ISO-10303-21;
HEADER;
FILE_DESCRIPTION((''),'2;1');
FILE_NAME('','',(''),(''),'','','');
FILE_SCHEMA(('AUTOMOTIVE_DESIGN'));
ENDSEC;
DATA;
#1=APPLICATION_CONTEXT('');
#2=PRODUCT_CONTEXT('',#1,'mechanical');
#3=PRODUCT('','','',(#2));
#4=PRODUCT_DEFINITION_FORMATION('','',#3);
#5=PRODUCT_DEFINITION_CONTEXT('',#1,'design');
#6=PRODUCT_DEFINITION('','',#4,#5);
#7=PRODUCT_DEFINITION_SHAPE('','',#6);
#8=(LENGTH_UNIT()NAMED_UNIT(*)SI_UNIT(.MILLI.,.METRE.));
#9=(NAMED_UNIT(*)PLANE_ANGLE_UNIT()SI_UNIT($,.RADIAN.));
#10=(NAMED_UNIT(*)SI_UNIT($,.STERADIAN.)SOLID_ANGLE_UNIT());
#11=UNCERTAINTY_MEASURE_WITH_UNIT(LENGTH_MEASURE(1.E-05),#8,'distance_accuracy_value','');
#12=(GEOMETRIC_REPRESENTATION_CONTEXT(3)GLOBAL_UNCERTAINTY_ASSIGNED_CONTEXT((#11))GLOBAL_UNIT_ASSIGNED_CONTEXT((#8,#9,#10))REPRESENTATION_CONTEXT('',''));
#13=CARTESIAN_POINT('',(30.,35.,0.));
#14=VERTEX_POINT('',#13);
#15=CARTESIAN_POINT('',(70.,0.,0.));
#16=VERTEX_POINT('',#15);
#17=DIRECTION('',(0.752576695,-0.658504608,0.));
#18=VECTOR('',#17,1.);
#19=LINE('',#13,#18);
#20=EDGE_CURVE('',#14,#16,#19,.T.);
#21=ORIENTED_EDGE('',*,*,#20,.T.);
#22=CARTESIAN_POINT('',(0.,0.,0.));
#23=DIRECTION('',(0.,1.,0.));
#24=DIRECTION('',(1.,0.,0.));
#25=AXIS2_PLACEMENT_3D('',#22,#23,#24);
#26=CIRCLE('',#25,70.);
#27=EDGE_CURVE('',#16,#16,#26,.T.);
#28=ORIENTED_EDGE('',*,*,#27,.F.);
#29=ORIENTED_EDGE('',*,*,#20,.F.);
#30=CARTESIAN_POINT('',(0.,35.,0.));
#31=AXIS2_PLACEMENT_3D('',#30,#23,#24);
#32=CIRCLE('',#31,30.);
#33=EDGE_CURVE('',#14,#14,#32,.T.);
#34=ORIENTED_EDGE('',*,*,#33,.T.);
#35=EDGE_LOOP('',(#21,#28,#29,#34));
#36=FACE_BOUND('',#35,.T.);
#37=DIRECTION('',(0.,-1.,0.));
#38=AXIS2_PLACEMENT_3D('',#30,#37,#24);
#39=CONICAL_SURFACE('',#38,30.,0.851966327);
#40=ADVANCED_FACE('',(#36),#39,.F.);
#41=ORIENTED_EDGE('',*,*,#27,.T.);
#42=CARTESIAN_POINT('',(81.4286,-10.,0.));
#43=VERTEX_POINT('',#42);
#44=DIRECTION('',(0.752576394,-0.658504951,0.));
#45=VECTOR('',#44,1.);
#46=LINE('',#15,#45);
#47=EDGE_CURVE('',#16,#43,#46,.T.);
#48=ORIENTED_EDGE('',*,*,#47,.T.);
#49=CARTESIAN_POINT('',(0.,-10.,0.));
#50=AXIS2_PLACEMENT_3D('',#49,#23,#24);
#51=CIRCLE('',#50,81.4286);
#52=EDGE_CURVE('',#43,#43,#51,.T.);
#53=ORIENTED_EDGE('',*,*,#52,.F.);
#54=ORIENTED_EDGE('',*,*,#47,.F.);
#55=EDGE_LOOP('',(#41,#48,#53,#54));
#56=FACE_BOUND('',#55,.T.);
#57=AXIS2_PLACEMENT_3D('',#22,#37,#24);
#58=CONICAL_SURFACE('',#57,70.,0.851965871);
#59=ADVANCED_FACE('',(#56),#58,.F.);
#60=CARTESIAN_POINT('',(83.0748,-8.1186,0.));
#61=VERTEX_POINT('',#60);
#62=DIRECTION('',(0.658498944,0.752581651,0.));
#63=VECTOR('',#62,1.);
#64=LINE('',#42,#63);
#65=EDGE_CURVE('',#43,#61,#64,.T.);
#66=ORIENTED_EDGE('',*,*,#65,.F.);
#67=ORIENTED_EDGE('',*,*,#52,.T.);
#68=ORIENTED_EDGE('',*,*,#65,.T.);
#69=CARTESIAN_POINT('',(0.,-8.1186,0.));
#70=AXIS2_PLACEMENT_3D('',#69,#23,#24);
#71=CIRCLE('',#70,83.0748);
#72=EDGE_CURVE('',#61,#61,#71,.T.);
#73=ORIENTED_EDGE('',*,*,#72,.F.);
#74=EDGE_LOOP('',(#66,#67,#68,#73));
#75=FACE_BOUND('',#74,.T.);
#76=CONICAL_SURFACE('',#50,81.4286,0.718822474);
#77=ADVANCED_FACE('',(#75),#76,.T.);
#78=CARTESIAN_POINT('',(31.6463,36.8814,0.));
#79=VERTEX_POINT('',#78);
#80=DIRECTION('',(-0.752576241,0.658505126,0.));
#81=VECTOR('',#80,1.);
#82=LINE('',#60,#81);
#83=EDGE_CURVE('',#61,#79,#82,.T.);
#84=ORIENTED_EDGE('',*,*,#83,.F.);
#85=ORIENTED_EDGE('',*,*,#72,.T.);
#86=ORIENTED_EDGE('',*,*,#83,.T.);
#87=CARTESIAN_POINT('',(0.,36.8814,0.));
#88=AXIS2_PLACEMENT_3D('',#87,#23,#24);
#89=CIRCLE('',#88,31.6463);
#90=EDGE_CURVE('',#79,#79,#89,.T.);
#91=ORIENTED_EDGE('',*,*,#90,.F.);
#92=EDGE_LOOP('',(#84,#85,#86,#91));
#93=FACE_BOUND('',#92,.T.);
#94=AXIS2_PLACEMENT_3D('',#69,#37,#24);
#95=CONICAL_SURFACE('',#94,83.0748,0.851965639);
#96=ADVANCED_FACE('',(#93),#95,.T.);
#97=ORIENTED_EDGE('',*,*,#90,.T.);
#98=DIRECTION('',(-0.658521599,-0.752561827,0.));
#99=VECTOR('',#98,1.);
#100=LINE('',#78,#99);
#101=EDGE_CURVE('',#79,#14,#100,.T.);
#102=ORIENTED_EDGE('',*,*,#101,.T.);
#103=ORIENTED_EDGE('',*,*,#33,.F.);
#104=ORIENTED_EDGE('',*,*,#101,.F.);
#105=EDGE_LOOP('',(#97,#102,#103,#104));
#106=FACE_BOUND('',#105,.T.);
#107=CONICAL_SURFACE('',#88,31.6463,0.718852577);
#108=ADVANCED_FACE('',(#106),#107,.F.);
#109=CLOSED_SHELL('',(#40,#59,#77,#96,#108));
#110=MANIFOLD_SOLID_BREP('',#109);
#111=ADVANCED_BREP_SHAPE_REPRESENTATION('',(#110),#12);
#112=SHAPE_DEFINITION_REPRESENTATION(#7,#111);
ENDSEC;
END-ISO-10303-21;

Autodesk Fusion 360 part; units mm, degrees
sketch "スケッチ1" plane through (0, 0, 0) normal (0, 0, 1) x (1, 0, 0)
  line L0 (0, 0) -> (0, 35)
  line L1 (0, 35) -> (30, 35)
  line L2 (0, 0) -> (70, 0)
  line L3 (30, 35) -> (70, 0)
  line L4 (70, 0) -> (132.0268, -54.2735)
  line L5 (0, 0) -> (0, -10)
  line L6 (0, -10) -> (81.4286, -10)
  line L7 (30, 35) -> (81.4286, -10)
  line L8 (81.4286, -10) -> (83.0748, -8.1186)
  line L9 (83.0748, -8.1186) -> (31.6463, 36.8814)
  line L10 (31.6463, 36.8814) -> (30, 35)
  dimension "d1" = 35
  dimension "d2" = 30
  dimension "d3" = 70
  dimension "d4" = 10
  dimension "d5" = 2.5
revolve "回転1" add sketch "スケッチ1" angle 360 about axis through (0, 0, 0) along (0, 1, 0) contours L3 L4 L7 L8 L9 L10
